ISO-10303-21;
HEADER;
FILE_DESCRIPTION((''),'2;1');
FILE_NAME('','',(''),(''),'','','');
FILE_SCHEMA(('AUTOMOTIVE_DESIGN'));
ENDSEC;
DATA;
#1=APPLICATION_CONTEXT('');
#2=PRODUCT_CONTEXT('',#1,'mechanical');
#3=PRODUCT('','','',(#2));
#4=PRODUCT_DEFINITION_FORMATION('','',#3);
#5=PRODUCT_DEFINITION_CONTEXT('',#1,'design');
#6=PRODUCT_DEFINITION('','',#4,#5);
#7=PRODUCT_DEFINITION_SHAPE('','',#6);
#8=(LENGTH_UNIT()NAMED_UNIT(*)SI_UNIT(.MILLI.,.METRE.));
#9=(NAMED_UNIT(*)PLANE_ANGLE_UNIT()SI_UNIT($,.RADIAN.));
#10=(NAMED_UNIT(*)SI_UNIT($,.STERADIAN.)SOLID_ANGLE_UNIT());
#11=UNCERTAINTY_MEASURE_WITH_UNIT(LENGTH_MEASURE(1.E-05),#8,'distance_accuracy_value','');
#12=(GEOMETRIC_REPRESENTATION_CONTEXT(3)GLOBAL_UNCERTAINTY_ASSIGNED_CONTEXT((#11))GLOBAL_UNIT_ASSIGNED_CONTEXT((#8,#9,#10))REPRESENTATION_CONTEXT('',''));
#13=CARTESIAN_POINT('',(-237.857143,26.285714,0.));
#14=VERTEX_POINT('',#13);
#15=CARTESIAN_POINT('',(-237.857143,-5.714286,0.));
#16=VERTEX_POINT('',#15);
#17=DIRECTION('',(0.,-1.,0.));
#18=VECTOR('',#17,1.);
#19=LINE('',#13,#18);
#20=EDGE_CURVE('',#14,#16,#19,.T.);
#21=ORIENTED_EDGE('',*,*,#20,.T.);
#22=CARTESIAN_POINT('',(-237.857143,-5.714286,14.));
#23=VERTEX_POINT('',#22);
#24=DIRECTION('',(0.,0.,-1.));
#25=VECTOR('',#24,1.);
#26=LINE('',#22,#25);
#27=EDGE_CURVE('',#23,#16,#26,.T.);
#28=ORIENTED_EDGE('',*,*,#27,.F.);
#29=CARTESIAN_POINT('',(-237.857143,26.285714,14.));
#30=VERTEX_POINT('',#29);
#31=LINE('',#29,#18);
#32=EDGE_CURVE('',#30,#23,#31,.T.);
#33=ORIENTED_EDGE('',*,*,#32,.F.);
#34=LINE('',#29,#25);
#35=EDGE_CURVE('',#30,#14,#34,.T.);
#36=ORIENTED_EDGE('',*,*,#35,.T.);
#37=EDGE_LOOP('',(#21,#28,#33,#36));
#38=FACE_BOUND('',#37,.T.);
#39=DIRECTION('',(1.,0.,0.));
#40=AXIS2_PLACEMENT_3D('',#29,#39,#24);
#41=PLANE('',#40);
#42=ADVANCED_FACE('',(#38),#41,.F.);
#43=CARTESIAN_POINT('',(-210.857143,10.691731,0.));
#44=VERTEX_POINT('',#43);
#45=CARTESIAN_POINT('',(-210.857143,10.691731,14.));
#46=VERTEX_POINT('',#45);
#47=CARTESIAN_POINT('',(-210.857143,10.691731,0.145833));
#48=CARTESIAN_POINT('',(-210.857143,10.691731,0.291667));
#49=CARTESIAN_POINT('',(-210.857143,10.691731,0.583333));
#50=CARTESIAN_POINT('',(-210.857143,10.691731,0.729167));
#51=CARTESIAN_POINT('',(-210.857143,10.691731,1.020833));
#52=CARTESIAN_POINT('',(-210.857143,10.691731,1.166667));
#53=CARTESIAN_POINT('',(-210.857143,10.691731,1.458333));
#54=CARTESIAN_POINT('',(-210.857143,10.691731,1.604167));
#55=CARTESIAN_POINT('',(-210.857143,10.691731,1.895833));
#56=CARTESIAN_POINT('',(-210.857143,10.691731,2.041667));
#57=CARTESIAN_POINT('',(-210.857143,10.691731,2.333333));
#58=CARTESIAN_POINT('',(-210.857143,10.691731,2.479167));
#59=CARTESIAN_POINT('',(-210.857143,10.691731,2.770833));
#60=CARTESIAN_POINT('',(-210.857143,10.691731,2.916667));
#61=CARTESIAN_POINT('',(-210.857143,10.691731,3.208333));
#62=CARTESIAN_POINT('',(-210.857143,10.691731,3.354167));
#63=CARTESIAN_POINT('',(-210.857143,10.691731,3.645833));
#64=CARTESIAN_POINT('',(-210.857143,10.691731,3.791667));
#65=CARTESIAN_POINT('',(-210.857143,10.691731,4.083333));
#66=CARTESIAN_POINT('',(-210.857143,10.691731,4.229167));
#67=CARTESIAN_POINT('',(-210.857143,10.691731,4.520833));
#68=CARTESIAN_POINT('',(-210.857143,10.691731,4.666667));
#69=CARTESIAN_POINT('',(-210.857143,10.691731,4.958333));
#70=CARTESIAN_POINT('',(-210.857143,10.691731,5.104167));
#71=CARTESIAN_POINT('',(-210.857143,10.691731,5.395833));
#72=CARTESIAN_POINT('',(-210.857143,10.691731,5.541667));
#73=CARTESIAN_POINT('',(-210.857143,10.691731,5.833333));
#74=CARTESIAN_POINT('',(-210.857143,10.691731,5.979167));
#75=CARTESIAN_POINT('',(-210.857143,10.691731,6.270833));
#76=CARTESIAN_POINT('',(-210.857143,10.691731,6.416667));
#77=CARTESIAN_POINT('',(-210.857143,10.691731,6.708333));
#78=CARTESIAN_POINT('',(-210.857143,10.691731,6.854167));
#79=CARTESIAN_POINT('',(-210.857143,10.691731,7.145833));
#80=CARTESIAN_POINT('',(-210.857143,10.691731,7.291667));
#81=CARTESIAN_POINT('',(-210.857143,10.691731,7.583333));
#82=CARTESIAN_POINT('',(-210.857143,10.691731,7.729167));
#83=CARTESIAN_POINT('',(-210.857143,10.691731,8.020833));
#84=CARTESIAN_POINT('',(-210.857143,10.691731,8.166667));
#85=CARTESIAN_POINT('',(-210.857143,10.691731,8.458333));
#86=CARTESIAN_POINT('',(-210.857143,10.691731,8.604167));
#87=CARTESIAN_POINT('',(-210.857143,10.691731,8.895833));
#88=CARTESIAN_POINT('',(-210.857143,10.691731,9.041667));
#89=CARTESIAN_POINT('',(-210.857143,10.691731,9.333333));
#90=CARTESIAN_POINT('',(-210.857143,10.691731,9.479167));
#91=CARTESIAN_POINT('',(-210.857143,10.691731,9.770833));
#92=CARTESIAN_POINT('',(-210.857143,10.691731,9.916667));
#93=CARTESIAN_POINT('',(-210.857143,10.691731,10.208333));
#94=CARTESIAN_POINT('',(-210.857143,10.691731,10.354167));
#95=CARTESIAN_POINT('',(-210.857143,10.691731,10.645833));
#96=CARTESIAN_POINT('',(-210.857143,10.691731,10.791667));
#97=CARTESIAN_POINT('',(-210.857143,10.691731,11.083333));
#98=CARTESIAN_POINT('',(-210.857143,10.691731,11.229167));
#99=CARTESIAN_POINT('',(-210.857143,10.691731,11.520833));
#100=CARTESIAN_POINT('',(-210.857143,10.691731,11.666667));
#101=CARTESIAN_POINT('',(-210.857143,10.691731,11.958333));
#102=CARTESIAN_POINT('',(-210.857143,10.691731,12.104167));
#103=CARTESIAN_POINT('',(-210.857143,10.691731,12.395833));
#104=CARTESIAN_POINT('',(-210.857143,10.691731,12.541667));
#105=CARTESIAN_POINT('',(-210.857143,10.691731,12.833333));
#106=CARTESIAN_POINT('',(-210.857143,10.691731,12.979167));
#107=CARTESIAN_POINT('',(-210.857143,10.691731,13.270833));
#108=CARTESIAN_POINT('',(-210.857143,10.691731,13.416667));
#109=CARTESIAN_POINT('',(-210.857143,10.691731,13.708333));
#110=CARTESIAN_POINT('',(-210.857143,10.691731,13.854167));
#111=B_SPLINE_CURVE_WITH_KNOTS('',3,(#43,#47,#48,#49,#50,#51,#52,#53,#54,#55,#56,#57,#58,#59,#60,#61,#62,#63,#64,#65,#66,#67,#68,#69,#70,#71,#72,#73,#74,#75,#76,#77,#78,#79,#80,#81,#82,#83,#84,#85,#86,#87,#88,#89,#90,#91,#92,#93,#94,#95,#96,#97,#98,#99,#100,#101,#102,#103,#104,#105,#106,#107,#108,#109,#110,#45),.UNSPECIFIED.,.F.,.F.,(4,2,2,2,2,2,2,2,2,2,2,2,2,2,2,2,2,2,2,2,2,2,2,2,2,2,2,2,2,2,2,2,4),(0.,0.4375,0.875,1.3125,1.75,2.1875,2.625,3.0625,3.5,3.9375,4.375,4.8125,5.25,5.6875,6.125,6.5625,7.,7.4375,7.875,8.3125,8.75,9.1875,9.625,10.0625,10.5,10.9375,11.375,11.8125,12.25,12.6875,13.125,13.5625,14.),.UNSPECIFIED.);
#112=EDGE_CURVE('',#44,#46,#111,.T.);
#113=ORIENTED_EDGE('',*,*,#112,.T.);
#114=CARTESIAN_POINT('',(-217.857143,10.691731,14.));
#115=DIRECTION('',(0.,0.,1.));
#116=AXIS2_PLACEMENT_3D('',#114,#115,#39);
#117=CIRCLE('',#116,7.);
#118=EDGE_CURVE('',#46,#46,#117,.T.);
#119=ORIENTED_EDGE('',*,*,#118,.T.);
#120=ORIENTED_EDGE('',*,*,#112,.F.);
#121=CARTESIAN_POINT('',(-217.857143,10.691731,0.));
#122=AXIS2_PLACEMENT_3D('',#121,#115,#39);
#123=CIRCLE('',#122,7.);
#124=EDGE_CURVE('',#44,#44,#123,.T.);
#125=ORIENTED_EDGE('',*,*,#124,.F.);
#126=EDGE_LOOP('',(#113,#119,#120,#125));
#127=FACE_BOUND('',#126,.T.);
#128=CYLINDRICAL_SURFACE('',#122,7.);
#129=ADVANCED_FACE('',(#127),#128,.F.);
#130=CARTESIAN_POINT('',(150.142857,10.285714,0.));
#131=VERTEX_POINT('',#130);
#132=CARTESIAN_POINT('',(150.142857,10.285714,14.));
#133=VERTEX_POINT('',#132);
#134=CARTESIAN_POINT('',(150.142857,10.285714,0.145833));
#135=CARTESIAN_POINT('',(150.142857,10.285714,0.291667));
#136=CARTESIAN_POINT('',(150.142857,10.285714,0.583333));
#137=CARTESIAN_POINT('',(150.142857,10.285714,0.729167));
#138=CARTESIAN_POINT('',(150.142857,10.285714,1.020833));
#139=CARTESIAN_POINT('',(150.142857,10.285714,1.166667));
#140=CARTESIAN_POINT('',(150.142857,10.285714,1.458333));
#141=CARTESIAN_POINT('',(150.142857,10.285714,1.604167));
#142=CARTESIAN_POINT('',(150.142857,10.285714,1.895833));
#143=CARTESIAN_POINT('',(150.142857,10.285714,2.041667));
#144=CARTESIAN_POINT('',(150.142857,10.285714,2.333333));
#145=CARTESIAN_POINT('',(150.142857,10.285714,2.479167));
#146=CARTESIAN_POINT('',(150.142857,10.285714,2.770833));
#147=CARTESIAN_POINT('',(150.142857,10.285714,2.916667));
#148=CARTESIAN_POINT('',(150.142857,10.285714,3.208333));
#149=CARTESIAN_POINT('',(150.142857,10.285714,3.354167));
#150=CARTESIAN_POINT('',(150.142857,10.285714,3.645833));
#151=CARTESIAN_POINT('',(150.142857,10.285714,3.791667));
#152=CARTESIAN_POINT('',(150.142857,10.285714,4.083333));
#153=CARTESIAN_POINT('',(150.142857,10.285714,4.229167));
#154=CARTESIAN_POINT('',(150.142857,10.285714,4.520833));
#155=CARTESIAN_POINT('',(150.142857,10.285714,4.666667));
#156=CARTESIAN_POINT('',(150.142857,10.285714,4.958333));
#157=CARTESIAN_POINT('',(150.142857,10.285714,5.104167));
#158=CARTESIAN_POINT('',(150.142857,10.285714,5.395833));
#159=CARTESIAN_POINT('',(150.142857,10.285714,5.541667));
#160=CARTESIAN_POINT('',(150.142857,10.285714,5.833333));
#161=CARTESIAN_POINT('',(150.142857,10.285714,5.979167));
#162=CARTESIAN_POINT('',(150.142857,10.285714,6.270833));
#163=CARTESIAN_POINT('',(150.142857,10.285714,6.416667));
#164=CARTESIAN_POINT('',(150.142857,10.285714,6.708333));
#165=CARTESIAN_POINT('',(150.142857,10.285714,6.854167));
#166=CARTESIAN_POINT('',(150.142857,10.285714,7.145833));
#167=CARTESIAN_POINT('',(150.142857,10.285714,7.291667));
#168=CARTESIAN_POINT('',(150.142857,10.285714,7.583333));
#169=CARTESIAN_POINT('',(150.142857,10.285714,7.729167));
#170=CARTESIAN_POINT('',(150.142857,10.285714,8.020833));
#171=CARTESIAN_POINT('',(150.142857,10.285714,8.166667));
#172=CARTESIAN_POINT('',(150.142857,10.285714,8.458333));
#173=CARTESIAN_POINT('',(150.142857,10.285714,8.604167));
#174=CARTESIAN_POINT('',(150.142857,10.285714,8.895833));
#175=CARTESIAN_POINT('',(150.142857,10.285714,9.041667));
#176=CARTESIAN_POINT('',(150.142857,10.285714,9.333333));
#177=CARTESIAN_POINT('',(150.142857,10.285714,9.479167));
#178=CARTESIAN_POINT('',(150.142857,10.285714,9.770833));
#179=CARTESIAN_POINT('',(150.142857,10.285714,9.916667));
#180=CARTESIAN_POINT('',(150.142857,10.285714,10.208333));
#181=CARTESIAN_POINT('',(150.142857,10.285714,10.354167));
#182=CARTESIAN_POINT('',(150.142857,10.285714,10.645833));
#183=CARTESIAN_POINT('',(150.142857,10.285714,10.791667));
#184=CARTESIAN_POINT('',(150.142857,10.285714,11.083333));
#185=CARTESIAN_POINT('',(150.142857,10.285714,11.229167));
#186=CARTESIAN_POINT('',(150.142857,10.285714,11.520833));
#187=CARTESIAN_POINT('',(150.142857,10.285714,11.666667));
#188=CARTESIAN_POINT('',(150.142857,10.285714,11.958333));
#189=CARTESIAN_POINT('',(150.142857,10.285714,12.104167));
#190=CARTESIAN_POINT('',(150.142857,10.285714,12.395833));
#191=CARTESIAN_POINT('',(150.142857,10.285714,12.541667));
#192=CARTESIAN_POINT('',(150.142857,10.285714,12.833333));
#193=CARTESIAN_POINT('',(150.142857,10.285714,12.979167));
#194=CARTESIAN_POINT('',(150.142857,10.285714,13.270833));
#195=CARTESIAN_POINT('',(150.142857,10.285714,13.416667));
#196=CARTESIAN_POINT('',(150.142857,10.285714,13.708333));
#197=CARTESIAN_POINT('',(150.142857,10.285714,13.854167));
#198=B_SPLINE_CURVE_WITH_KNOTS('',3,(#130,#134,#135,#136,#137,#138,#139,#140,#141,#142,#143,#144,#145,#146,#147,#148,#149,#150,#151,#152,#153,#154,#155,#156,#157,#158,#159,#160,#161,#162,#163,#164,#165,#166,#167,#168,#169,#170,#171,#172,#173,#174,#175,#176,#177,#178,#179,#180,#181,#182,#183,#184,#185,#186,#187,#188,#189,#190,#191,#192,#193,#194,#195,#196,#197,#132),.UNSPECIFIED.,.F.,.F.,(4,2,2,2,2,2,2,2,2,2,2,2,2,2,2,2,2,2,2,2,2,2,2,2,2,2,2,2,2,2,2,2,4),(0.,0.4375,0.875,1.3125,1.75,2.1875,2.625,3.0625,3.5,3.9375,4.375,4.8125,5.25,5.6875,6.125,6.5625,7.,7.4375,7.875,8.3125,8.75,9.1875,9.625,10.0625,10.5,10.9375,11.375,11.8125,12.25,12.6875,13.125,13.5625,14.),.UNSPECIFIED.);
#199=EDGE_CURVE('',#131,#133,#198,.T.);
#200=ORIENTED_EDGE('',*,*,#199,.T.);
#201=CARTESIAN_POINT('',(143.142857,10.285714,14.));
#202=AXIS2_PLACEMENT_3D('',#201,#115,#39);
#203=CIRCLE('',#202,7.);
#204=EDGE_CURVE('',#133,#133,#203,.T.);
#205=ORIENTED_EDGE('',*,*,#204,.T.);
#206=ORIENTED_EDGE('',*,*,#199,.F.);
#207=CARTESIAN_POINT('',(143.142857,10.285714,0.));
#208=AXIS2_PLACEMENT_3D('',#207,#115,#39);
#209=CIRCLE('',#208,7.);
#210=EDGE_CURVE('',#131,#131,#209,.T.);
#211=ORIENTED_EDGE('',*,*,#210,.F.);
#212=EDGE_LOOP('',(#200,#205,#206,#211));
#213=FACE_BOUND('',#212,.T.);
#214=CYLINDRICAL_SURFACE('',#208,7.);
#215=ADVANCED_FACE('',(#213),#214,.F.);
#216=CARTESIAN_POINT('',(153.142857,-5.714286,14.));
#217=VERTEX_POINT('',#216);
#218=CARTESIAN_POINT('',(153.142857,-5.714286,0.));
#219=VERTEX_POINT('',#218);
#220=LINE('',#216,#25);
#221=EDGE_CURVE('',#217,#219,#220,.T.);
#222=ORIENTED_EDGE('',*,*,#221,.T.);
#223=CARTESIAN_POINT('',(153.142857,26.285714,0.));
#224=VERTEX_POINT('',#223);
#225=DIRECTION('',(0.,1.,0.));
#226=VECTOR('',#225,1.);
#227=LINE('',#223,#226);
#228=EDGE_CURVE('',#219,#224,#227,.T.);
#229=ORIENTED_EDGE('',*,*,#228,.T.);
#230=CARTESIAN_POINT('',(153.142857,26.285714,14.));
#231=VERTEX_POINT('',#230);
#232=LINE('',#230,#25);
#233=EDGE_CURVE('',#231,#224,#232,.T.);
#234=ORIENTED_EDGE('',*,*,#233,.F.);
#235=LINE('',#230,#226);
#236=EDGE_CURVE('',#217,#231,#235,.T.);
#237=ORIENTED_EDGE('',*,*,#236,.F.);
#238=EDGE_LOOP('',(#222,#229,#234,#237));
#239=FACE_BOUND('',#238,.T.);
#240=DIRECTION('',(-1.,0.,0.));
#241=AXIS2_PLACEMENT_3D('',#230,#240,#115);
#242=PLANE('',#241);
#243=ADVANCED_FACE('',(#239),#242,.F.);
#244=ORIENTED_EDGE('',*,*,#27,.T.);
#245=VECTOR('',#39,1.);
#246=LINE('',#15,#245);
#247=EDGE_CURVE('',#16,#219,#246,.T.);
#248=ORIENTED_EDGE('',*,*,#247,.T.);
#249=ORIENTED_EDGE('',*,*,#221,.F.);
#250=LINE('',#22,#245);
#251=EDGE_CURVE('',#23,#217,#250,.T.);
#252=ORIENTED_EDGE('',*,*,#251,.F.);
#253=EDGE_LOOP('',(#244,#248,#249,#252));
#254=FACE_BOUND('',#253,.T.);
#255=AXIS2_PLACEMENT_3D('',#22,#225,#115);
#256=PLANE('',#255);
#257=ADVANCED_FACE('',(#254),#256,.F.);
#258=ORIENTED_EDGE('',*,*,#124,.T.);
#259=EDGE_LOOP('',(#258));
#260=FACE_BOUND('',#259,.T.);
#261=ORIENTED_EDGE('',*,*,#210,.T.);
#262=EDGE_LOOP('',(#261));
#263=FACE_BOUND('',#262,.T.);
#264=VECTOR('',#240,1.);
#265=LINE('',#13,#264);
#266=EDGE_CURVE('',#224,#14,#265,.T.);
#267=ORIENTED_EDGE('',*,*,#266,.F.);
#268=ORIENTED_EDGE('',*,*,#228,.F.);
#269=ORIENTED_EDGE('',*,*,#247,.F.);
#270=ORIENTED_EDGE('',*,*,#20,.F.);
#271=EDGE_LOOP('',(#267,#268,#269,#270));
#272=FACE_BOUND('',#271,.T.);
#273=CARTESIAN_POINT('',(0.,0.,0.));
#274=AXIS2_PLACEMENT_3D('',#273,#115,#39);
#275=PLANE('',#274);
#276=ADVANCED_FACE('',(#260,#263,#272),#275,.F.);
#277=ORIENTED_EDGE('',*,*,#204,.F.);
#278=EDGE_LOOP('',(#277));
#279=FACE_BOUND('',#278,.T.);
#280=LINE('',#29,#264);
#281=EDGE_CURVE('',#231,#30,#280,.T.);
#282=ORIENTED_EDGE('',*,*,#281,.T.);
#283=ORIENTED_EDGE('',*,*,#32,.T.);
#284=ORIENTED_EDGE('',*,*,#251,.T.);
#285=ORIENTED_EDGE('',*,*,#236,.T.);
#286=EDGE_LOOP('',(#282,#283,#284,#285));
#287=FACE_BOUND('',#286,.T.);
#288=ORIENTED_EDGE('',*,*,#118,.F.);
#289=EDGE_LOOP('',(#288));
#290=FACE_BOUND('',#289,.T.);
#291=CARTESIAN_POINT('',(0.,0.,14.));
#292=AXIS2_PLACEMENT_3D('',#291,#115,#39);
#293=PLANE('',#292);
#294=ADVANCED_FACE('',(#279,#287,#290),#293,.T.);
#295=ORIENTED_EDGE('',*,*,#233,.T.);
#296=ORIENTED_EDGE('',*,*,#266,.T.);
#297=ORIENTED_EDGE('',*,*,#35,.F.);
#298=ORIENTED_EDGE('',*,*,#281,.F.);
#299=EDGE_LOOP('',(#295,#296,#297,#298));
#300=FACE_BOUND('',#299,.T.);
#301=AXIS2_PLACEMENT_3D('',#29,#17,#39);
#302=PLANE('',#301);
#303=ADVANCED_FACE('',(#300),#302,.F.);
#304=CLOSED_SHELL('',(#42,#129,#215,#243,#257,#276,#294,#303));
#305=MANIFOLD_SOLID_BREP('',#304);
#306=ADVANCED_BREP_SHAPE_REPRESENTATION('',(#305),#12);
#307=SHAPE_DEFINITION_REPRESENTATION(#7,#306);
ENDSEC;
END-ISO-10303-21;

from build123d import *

# Parameters (mm, degrees)
SKETCH1_W           = 391
SKETCH1_H           = 32
BOSS_EXTRUDE1_DEPTH = 14
SKETCH2_R           = 7
CUT_EXTRUDE1_DEPTH  = 240.714328282
SKETCH3_R           = 7
CUT_EXTRUDE2_DEPTH  = 240.714328282


with BuildPart() as part:
    # Sketch1 → Boss-Extrude1 (new body)
    with BuildSketch(Plane.XY):
        with Locations((-42.357142857, 10.285714286)):
            Rectangle(SKETCH1_W, SKETCH1_H)
    extrude(amount=BOSS_EXTRUDE1_DEPTH)

    # Sketch2 → Cut-Extrude1 (cut, through all)
    with BuildSketch(Plane.XY.offset(14)):
        with Locations((-217.857142857, 10.691731498)):
            Circle(SKETCH2_R)
    extrude(amount=-CUT_EXTRUDE1_DEPTH, mode=Mode.SUBTRACT)

    # Sketch3 → Cut-Extrude2 (cut, through all)
    with BuildSketch(Plane.XY.offset(14)):
        with Locations((143.142857143, 10.285714286)):
            Circle(SKETCH3_R)
    extrude(amount=-CUT_EXTRUDE2_DEPTH, mode=Mode.SUBTRACT)


solid = part.part
